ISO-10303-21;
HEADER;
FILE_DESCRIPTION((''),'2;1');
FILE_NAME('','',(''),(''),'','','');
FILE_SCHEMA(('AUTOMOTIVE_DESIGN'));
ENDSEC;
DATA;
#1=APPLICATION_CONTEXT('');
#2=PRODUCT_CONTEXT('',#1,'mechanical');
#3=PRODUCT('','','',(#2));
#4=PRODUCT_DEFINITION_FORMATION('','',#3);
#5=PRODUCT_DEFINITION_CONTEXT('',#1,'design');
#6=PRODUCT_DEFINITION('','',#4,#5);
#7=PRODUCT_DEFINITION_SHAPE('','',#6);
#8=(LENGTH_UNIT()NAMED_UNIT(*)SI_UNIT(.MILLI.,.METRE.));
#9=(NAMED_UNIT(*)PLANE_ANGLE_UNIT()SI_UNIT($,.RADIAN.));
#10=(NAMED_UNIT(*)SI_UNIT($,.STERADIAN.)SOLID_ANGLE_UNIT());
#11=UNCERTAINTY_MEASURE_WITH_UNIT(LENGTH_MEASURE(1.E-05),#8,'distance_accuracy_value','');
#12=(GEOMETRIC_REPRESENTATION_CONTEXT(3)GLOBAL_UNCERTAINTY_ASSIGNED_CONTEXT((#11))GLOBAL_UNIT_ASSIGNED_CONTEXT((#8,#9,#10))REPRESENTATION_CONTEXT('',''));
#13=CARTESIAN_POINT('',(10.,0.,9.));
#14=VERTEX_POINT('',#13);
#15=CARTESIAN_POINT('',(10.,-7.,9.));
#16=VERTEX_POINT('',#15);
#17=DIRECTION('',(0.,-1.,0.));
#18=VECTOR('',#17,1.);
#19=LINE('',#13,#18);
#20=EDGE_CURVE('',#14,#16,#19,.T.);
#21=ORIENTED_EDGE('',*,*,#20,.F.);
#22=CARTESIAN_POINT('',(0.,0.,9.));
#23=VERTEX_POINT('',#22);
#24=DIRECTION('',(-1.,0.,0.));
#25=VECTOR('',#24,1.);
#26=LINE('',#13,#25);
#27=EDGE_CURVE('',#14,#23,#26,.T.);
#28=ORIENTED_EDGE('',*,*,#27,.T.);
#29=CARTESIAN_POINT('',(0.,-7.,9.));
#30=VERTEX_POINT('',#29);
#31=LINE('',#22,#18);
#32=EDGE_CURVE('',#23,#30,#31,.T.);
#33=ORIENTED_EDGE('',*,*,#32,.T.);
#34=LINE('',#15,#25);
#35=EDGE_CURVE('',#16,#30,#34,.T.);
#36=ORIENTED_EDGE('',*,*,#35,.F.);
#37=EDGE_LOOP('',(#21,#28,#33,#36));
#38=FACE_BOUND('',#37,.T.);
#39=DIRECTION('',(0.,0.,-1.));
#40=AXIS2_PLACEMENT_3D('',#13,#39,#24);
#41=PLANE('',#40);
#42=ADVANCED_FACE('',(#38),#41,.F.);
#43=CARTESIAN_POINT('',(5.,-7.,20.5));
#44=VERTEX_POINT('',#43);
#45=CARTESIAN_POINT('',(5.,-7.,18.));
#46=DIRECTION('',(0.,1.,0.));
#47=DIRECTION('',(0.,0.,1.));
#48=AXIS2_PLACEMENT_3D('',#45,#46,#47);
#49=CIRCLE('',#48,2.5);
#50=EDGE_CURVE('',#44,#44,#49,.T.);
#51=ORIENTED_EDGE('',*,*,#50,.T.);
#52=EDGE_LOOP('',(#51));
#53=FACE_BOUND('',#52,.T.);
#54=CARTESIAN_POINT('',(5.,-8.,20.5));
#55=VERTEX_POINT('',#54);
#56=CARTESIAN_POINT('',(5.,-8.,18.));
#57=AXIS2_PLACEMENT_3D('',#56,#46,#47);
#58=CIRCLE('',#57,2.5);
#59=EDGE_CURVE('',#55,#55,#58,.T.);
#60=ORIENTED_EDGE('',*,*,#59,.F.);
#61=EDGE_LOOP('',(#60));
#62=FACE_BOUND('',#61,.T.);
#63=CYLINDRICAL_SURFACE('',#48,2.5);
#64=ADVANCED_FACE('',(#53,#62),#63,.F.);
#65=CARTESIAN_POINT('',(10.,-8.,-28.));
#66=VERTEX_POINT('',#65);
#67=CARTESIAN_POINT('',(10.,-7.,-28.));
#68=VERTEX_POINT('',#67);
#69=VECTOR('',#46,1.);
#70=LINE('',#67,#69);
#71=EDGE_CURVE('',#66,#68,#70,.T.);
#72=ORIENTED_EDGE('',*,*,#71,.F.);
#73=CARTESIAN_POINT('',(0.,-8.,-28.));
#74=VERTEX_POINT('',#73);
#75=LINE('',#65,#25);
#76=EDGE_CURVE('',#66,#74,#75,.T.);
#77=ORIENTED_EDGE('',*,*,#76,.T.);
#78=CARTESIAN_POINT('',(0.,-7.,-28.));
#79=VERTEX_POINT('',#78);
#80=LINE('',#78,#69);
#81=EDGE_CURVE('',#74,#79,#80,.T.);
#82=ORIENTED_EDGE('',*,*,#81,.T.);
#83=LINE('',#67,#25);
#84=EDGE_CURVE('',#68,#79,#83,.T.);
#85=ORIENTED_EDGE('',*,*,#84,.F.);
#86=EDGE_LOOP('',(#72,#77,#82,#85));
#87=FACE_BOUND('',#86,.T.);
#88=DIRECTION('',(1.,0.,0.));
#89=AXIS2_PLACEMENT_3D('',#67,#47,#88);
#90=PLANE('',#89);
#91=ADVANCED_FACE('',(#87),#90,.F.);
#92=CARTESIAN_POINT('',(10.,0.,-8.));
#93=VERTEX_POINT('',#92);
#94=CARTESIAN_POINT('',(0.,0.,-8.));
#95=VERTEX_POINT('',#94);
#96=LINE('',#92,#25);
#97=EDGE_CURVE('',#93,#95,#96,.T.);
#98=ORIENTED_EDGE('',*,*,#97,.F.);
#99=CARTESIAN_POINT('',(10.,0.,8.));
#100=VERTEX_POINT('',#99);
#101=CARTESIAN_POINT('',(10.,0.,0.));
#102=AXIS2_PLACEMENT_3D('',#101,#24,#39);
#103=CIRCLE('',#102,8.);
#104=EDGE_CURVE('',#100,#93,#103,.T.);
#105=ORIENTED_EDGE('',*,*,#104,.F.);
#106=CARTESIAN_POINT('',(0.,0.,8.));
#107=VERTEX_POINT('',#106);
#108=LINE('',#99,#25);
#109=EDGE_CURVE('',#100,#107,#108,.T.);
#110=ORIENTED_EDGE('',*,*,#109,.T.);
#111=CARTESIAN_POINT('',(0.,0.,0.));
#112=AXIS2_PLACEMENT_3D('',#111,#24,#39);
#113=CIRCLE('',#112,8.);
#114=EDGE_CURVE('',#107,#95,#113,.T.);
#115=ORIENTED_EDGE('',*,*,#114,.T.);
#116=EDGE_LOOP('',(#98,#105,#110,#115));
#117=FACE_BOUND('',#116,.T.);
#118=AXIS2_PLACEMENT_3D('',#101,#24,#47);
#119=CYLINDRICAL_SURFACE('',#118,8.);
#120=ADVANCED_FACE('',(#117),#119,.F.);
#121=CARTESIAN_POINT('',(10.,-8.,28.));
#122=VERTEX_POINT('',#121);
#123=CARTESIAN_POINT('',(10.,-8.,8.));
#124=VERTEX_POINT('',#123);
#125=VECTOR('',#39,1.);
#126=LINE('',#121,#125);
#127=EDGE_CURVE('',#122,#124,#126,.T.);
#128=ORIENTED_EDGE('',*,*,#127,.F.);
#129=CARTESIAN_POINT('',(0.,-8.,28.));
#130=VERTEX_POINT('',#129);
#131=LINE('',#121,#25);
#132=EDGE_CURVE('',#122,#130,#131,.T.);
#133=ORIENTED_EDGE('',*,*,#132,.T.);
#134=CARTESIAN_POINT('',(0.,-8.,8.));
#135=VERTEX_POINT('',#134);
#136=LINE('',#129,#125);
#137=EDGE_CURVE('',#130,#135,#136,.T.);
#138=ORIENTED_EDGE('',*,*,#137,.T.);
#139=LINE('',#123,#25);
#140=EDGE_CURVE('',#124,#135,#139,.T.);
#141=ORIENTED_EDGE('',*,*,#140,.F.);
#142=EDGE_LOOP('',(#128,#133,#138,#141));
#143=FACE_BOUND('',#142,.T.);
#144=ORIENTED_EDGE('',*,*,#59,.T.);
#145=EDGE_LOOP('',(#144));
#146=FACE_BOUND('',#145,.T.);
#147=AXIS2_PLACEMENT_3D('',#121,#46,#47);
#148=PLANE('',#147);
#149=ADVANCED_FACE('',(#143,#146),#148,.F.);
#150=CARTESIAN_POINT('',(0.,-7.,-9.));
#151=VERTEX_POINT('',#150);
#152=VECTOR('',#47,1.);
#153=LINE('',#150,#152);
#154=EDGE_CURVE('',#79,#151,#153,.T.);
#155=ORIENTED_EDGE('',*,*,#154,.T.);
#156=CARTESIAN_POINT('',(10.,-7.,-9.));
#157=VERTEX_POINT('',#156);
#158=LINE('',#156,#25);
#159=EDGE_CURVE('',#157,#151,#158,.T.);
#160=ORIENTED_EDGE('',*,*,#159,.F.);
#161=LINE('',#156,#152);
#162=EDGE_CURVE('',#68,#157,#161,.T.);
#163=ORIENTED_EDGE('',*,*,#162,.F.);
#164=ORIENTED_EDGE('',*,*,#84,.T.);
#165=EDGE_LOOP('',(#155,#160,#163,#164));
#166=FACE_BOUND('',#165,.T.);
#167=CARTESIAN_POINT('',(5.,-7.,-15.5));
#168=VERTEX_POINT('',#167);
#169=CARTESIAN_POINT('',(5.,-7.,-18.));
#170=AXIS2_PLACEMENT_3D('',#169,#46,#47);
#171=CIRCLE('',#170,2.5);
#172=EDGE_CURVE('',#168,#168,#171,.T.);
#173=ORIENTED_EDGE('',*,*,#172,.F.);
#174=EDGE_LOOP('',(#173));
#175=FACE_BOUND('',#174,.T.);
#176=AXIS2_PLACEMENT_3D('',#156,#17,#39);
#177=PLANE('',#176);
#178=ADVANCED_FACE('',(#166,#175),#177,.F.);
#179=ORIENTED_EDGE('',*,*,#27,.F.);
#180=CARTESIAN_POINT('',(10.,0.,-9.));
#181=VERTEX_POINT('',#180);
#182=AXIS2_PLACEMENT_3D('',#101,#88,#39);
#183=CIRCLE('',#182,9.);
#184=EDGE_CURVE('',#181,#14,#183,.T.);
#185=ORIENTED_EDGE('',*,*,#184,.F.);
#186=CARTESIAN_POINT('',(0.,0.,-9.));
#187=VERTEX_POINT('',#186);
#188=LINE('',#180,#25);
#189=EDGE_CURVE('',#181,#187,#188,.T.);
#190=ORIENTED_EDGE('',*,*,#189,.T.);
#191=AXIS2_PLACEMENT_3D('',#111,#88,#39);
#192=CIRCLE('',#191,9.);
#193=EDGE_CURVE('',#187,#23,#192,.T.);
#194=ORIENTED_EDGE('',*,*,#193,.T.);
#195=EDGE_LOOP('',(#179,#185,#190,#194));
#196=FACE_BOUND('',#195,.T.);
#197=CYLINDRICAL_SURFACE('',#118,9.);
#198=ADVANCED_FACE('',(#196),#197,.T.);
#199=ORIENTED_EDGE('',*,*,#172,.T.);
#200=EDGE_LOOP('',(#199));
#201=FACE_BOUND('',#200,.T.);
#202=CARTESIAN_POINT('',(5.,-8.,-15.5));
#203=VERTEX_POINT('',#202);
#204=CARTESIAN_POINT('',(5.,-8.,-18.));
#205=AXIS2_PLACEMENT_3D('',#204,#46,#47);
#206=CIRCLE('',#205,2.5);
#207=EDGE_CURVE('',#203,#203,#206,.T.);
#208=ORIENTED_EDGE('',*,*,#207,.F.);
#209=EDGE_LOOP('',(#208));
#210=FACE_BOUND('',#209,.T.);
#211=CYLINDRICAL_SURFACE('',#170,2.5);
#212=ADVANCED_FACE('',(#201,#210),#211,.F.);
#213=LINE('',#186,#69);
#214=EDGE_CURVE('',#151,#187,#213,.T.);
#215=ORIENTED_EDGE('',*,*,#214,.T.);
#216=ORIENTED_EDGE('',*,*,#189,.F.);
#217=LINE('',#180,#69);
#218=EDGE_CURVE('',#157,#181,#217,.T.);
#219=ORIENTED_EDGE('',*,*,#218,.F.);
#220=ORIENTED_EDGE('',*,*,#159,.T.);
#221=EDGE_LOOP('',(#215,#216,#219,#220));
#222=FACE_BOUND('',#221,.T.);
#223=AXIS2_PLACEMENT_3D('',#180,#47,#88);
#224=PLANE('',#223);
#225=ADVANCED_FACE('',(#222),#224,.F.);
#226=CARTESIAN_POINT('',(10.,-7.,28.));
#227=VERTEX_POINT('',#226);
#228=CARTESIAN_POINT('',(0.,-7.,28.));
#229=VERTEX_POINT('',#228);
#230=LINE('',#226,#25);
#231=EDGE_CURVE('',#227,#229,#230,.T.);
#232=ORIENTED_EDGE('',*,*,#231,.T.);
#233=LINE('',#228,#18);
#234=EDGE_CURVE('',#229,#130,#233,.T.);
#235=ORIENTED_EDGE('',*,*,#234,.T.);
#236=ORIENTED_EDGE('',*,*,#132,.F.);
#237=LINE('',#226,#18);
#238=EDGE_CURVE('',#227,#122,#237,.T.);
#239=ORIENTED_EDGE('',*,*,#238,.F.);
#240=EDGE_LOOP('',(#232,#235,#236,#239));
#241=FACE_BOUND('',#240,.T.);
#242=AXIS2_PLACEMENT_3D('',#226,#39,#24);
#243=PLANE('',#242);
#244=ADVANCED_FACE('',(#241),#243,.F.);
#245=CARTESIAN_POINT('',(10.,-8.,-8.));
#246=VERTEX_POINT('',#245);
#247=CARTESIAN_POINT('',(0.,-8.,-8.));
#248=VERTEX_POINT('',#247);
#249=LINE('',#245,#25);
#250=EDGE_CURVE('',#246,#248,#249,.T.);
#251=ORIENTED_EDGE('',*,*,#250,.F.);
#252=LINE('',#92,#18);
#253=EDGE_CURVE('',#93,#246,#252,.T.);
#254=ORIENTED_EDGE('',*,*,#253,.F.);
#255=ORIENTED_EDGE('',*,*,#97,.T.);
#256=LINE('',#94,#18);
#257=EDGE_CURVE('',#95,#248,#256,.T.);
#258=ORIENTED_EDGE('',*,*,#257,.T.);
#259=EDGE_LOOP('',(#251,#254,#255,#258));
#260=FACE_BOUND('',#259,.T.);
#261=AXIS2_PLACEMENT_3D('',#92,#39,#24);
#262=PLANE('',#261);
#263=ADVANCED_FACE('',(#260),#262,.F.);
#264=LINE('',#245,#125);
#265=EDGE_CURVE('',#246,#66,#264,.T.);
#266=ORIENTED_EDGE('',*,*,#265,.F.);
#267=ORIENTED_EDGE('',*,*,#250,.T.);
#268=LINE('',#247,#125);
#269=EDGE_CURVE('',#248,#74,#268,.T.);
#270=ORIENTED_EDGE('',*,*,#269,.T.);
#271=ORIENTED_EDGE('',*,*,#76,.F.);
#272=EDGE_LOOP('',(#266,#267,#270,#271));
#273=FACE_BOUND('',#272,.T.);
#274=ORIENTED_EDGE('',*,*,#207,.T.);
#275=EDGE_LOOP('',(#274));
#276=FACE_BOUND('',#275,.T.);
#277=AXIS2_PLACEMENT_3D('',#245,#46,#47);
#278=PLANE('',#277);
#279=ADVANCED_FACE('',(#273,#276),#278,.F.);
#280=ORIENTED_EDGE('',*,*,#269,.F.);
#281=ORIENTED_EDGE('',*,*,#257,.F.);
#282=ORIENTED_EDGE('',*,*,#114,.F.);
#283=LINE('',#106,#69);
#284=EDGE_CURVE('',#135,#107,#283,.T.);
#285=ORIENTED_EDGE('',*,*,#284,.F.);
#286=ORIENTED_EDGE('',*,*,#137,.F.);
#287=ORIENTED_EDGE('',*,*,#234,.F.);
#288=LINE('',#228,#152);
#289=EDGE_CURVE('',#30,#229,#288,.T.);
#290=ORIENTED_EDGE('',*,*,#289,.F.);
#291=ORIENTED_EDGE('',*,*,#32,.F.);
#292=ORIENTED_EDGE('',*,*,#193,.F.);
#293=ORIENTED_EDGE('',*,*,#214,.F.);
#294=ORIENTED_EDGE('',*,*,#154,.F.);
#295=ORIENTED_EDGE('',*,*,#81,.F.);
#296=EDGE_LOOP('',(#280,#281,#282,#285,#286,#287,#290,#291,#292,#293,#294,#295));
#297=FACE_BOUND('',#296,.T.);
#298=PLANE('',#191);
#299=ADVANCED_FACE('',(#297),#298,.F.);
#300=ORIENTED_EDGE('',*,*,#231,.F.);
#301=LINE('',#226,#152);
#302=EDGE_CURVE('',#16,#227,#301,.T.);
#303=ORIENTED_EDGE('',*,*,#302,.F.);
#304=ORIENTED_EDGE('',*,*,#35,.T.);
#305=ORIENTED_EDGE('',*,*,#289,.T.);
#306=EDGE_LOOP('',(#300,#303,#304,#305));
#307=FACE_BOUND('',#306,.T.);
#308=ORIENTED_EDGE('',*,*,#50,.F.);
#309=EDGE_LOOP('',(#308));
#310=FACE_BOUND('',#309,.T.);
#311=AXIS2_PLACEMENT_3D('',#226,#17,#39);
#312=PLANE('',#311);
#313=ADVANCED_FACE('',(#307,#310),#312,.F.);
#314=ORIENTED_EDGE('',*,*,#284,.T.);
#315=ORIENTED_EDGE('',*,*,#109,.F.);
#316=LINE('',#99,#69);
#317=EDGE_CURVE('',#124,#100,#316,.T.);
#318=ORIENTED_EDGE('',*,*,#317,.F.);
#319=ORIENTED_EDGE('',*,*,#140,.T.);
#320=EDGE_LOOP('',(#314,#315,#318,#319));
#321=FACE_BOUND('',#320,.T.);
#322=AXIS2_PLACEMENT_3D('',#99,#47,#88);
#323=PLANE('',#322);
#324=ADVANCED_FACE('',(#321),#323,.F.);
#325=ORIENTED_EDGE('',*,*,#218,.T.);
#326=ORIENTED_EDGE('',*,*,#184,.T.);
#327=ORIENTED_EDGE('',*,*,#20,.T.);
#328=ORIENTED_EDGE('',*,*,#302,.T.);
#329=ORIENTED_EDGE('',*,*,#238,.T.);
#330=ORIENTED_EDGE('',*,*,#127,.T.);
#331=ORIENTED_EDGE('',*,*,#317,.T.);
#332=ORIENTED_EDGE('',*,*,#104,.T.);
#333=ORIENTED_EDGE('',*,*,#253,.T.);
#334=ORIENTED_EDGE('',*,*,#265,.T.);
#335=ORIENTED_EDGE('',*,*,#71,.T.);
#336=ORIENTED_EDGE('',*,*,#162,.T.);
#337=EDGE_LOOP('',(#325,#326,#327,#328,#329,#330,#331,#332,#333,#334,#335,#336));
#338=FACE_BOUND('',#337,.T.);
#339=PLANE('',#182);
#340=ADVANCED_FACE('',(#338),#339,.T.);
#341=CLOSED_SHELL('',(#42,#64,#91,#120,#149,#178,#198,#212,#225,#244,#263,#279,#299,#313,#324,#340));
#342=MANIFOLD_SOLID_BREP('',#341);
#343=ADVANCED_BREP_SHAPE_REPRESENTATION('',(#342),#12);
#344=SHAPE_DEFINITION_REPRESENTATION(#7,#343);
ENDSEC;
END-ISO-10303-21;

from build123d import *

# Parameters (mm, degrees)
ESTRUSIONE_ESTRUSIONE1_DEPTH = 10
FORI_FILETTATI_5_0MM1_D      = 5
FORI_FILETTATI_5_0MM1_DEPTH  = 10
FORI_FILETTATI_5_0MM1_TIP    = 1.502151548
FORI_FILETTATI_5_0MM2_D      = 5
FORI_FILETTATI_5_0MM2_DEPTH  = 10
FORI_FILETTATI_5_0MM2_TIP    = 1.502151548


with BuildPart() as part:
    # Schizzo2 → Estrusione-Estrusione1 (new body)
    with BuildSketch(Plane(origin=(0, 0, 0), x_dir=(0, 0, -1), z_dir=(1, 0, 0))):
        with BuildLine():
            Line((-28, -7), (-9, -7))
            Line((-9, -7), (-9, 0))
            ThreePointArc((-9, 0), (0, 9), (9, 0))
            Line((9, 0), (9, -7))
            Line((9, -7), (28, -7))
            Line((28, -7), (28, -8))
            Line((28, -8), (8, -8))
            Line((8, -8), (8, 0))
            ThreePointArc((8, 0), (0, 8), (-8, 0))
            Line((-8, 0), (-8, -8))
            Line((-8, -8), (-28, -8))
            Line((-28, -8), (-28, -7))
        make_face()
    extrude(amount=ESTRUSIONE_ESTRUSIONE1_DEPTH)

    # Fori filettati Ø5.0mm1
    with Locations(Plane(origin=(5, -7, -18), x_dir=(0, 0, 1), z_dir=(0, 1, 0))):
        with Locations((0, 0)):
            Hole(FORI_FILETTATI_5_0MM1_D / 2, depth=FORI_FILETTATI_5_0MM1_DEPTH)
            with Locations((0, 0, -(FORI_FILETTATI_5_0MM1_DEPTH + FORI_FILETTATI_5_0MM1_TIP / 2))):  # 118° drill point
                Cone(0, FORI_FILETTATI_5_0MM1_D / 2, FORI_FILETTATI_5_0MM1_TIP, mode=Mode.SUBTRACT)

    # Fori filettati Ø5.0mm2
    with Locations(Plane(origin=(5, -7, 18), x_dir=(0, 0, 1), z_dir=(0, 1, 0))):
        with Locations((0, 0)):
            Hole(FORI_FILETTATI_5_0MM2_D / 2, depth=FORI_FILETTATI_5_0MM2_DEPTH)
            with Locations((0, 0, -(FORI_FILETTATI_5_0MM2_DEPTH + FORI_FILETTATI_5_0MM2_TIP / 2))):  # 118° drill point
                Cone(0, FORI_FILETTATI_5_0MM2_D / 2, FORI_FILETTATI_5_0MM2_TIP, mode=Mode.SUBTRACT)


solid = part.part
